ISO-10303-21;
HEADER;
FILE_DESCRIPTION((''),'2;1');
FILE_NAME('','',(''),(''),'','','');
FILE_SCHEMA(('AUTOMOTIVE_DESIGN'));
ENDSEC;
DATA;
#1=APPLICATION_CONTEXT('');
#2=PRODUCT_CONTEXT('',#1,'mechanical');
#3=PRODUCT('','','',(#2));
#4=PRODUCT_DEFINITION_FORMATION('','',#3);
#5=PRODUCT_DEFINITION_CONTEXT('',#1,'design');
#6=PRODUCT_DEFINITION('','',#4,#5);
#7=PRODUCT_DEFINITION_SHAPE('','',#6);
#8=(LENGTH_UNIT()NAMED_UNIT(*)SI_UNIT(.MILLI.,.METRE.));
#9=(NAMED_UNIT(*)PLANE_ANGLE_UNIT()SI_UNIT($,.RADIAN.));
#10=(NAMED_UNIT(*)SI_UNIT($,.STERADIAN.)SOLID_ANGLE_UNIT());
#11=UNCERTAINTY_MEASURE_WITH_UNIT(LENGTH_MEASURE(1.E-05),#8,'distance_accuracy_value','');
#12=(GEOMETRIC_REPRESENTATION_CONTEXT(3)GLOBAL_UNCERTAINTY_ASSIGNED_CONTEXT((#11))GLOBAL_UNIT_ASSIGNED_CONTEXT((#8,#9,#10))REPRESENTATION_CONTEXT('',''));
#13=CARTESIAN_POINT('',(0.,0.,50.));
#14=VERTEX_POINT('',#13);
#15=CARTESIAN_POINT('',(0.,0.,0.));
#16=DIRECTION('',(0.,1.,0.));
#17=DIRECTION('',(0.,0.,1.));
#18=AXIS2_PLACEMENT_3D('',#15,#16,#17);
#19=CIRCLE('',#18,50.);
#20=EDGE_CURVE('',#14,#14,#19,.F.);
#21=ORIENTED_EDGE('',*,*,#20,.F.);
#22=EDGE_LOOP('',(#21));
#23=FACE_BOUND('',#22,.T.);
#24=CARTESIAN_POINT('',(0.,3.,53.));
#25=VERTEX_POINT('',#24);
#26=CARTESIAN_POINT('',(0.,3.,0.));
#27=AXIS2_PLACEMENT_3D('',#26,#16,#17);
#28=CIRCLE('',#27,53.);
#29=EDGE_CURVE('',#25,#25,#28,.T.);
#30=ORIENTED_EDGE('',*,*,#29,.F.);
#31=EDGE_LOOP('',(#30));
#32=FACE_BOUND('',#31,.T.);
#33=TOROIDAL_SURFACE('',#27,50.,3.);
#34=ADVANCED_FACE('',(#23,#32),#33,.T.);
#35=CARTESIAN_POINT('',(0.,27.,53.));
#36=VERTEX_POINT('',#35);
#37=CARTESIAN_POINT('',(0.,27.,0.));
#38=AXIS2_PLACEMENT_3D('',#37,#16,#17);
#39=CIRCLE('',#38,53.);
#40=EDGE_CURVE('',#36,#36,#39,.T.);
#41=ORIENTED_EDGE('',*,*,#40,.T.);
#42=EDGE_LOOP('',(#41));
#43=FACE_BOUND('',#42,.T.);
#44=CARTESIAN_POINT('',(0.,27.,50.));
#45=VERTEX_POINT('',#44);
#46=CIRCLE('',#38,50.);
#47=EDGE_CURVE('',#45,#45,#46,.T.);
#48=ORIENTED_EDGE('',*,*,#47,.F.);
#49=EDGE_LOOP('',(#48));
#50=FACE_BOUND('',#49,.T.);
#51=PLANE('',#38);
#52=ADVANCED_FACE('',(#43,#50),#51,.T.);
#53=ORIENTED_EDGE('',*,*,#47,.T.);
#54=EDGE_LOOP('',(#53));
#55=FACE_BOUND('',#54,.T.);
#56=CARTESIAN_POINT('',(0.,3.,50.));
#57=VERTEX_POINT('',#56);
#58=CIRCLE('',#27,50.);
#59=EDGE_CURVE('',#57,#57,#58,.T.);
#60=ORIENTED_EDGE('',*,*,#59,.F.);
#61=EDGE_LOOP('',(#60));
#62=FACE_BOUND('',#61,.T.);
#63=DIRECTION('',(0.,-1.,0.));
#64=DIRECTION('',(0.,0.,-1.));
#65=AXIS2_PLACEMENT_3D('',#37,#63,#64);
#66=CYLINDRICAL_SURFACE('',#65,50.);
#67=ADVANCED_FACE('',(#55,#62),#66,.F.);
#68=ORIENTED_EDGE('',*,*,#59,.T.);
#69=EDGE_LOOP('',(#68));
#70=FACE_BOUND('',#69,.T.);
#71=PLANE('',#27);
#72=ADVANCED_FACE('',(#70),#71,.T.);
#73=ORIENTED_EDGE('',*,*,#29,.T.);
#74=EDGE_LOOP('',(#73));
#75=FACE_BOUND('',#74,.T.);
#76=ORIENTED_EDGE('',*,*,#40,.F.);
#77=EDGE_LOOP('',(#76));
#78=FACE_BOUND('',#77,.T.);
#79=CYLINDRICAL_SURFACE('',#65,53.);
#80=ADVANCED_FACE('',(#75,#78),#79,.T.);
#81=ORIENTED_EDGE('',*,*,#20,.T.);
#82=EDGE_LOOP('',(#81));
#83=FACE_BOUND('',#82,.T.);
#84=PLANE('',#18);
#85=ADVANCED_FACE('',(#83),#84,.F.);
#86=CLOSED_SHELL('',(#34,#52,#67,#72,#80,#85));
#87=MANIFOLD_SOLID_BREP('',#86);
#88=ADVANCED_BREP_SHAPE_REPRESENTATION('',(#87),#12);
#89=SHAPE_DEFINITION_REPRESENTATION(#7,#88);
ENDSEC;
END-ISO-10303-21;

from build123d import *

# Parameters (mm, degrees)
SKETCH1_R           = 53
SKETCH1_R_2         = 50
BOSS_EXTRUDE1_DEPTH = 27
SKETCH1_2_R         = 53
BOSS_EXTRUDE2_DEPTH = 3
FILLET1_R           = 3


with BuildPart() as part:
    # Sketch1 → Boss-Extrude1 (new body)
    with BuildSketch(Plane(origin=(0, 0, 0), x_dir=(1, 0, 0), z_dir=(0, 1, 0))):
        Circle(SKETCH1_R)
        Circle(SKETCH1_R_2, mode=Mode.SUBTRACT)
    extrude(amount=BOSS_EXTRUDE1_DEPTH)

    # Sketch1<2> → Boss-Extrude2 (add)
    with BuildSketch(Plane(origin=(0, 0, 0), x_dir=(1, 0, 0), z_dir=(0, 1, 0))):
        Circle(SKETCH1_2_R)
    extrude(amount=BOSS_EXTRUDE2_DEPTH)

    # Fillet1
    fillet1_edges = [part.edges().sort_by_distance(p)[0] for p in [
        (-53, 0, 0),
    ]]
    fillet(fillet1_edges, radius=FILLET1_R)


solid = part.part
